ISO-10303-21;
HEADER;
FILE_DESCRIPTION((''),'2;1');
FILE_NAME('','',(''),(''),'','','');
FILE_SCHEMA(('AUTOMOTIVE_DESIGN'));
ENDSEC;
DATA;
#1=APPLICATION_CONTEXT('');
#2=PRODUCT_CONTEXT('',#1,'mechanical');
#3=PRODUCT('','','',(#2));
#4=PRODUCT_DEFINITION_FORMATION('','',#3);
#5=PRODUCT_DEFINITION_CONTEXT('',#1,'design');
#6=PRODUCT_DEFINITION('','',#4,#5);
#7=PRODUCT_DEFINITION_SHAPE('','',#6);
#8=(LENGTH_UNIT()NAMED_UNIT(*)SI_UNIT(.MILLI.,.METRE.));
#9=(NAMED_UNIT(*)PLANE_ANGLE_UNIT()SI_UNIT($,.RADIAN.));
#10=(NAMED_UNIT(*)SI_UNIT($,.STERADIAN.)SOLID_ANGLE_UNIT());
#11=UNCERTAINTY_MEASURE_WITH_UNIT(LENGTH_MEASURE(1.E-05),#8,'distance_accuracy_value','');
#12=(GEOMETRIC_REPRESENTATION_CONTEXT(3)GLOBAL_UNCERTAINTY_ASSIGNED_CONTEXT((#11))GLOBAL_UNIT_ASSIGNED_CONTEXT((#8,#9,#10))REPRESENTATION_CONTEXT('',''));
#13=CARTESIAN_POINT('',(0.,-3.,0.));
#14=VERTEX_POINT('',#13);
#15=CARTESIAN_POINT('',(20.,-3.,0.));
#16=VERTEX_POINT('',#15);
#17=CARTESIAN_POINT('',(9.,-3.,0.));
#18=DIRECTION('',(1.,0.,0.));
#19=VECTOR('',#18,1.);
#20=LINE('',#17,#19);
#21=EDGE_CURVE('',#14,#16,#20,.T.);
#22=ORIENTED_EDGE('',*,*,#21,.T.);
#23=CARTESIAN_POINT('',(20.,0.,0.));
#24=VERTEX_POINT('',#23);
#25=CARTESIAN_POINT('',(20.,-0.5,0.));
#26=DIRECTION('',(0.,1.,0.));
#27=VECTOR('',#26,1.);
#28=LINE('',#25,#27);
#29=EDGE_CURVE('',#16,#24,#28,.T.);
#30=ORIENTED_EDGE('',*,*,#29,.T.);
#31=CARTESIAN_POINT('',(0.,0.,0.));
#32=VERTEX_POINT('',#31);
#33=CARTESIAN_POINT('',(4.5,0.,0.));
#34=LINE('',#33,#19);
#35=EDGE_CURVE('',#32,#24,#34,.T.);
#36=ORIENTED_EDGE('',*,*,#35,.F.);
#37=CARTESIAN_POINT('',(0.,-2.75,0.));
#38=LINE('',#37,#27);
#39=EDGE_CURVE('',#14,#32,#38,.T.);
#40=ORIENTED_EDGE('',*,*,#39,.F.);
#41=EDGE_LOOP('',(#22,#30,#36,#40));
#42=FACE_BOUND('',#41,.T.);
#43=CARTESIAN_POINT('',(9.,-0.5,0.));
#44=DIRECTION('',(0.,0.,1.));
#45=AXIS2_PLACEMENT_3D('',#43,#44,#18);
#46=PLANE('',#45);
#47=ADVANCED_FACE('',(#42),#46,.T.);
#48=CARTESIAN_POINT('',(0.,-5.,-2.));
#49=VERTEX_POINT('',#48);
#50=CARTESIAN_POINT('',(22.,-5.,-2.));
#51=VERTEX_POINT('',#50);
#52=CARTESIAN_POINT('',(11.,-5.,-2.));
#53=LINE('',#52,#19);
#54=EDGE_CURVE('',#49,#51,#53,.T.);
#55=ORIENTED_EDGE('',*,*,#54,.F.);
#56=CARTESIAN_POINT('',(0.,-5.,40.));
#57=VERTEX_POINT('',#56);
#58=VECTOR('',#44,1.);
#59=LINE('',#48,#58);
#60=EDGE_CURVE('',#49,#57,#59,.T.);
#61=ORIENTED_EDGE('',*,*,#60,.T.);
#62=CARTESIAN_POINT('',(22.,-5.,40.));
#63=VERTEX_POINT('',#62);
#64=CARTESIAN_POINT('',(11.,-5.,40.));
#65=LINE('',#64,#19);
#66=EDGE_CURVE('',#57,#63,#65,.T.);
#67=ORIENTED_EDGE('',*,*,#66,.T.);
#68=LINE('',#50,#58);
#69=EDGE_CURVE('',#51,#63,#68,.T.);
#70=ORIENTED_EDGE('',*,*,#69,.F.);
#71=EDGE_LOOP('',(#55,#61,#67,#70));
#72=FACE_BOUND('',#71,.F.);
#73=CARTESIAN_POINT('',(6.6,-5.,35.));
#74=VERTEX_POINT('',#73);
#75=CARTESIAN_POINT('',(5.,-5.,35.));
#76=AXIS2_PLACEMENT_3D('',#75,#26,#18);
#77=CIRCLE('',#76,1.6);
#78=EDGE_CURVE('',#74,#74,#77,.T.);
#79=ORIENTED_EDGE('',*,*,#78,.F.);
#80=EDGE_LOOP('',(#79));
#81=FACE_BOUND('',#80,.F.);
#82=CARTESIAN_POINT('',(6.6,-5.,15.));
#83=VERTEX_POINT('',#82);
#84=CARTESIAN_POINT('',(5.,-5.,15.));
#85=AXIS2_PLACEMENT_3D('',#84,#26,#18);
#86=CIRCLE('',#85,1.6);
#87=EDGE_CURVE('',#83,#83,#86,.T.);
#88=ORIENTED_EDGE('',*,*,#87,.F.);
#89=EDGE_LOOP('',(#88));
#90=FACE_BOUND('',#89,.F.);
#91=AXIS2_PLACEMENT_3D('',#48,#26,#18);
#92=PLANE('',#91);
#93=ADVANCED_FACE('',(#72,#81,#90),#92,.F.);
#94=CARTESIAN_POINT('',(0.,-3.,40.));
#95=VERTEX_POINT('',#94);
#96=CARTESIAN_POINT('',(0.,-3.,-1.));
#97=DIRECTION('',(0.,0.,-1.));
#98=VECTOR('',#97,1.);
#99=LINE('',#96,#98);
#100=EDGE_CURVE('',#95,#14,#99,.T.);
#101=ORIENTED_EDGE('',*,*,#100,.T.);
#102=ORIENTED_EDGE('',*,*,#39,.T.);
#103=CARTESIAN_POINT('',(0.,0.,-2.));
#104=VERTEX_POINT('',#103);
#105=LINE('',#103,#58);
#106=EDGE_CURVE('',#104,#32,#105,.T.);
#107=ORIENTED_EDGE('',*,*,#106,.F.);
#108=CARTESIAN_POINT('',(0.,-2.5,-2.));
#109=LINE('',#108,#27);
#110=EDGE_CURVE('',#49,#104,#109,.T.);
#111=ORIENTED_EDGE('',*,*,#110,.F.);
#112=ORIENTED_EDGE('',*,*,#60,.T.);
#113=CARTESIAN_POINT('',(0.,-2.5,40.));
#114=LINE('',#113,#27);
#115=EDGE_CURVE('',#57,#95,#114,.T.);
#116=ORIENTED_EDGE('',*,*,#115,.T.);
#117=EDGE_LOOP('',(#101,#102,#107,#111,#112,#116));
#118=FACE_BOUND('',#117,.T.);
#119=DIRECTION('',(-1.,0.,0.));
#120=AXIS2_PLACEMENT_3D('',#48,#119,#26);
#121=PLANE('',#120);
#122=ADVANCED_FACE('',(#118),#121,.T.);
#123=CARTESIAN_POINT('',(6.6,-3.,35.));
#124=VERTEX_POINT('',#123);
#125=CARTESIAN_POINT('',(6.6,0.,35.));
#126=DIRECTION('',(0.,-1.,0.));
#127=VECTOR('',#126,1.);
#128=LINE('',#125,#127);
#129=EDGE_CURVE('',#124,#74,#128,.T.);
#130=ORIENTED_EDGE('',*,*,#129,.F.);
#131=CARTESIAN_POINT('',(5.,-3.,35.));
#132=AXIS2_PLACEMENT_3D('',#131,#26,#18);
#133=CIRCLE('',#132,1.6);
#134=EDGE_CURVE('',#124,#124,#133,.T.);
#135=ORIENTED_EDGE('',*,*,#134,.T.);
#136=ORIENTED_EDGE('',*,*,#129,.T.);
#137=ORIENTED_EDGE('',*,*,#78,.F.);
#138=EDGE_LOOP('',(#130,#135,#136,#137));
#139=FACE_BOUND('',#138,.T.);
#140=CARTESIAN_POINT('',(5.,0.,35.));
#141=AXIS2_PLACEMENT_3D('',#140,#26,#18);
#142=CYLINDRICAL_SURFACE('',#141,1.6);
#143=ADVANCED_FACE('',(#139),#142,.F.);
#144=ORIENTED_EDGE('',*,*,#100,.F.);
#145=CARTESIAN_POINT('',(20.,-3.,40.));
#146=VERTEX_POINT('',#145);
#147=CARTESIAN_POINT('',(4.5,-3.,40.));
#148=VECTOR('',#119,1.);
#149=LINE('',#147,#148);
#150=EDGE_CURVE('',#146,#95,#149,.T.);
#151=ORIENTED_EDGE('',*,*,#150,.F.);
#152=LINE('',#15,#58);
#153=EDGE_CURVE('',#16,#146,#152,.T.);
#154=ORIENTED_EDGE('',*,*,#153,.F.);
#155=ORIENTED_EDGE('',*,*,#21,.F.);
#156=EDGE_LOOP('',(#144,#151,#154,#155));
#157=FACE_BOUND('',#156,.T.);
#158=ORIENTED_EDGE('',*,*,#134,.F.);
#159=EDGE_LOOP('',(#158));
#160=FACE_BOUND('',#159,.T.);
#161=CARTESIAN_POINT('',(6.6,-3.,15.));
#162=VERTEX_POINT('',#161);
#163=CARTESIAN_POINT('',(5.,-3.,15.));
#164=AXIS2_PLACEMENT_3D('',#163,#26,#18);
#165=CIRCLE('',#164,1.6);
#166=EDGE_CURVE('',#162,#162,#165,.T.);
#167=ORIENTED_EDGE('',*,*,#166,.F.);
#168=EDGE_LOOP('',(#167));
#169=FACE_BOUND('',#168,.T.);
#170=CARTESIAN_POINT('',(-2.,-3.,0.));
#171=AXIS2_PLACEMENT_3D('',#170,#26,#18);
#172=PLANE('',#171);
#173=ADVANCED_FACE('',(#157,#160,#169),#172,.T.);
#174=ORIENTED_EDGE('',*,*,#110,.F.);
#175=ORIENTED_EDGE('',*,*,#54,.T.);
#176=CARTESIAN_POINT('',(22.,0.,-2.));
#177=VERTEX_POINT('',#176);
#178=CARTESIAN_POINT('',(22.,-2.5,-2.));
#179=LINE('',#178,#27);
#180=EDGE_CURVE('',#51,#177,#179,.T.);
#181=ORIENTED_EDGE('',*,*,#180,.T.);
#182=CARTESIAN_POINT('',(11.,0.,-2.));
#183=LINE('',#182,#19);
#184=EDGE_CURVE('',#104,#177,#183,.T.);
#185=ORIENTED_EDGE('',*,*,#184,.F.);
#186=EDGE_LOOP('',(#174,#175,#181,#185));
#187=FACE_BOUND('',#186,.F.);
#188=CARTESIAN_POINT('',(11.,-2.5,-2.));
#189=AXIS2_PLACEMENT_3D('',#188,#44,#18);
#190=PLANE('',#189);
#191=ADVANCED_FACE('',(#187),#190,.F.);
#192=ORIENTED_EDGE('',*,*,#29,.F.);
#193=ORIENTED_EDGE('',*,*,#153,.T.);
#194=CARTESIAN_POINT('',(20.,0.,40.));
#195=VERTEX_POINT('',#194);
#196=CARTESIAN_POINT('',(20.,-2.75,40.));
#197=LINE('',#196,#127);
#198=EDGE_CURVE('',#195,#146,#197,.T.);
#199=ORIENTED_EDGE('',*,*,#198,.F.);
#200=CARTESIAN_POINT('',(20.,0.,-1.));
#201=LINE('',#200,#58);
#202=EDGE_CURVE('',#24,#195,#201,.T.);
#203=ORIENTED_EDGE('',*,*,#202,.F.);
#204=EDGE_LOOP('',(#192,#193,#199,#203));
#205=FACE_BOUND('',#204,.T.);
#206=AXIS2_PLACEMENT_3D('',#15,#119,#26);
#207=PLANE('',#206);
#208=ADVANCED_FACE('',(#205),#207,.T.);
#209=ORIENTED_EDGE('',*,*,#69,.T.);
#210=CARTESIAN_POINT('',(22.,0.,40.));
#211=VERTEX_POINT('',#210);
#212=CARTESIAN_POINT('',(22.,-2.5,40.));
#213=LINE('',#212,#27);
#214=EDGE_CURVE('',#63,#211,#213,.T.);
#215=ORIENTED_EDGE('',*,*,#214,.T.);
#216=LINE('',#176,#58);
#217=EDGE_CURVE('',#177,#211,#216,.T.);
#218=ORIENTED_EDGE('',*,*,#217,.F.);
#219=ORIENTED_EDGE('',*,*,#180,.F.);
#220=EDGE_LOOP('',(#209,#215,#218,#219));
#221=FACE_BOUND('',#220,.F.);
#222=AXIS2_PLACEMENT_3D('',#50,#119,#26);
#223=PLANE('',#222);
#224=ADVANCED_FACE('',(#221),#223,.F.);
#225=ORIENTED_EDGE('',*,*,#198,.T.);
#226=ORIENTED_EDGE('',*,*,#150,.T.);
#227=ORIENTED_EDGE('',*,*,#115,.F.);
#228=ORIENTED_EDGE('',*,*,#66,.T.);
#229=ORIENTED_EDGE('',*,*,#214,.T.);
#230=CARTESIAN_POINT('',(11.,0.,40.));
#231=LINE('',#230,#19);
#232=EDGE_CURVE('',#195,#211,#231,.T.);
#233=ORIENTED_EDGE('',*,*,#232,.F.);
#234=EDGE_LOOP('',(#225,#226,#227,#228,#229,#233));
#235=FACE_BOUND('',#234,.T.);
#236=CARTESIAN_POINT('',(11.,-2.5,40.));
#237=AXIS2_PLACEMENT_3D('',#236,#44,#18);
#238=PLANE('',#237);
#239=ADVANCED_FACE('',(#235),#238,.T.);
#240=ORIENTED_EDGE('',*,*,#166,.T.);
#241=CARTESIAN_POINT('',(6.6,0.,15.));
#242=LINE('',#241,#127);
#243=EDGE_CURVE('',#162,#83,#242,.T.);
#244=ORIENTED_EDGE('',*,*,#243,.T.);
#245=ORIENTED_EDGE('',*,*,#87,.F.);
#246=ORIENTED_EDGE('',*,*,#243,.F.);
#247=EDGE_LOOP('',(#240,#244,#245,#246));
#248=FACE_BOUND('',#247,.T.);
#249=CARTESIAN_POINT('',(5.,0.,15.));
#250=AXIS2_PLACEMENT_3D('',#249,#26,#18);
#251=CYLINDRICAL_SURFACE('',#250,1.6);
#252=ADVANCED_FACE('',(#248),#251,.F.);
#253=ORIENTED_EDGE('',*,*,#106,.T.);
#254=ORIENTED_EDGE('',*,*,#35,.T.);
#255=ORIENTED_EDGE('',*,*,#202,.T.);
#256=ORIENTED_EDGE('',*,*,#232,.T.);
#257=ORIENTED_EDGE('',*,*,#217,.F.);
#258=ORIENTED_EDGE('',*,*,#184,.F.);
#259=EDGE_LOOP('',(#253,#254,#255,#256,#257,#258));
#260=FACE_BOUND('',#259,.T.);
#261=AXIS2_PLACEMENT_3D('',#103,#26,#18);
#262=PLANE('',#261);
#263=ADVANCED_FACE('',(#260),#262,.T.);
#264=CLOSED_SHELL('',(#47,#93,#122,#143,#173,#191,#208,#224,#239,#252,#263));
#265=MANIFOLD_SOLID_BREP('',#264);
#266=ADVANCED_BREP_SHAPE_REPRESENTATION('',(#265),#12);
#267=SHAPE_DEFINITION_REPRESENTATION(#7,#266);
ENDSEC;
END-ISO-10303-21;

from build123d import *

# Parameters (mm, degrees)
CYLINDER025_R     = 1.6
CYLINDER025_DEPTH = 10
CYLINDER026_R     = 1.6
CYLINDER026_DEPTH = 10
BOX026_W          = 22
BOX026_H          = 5
BOX026_DEPTH      = 42
BOX025_W          = 22
BOX025_H          = 5
BOX025_DEPTH      = 42


with BuildPart() as cylinder025:
    # Cylinder025 → Cylinder025 (new body)
    with BuildSketch(Plane(origin=(5, 0, 10), x_dir=(1, 0, 0), z_dir=(0, -1, 0))):
        Circle(CYLINDER025_R)
    extrude(amount=CYLINDER025_DEPTH)


with BuildPart() as fusion007006:
    # Cylinder026 → Cylinder026 (new body)
    with BuildSketch(Plane(origin=(5, 0, 30), x_dir=(1, 0, 0), z_dir=(0, -1, 0))):
        Circle(CYLINDER026_R)
    extrude(amount=CYLINDER026_DEPTH)

    # Fusion007006: union Cylinder025
    add(cylinder025.part)


with BuildPart() as fusion007006_1:
    # Fusion007006 placement: moved
    add(fusion007006.part.moved(Location((0, 0, 5))))


with BuildPart() as cube015:
    # Box026 → Box026 (new body)
    with BuildSketch(Plane(origin=(-2, -3, 0), x_dir=(1, 0, 0), z_dir=(0, 0, 1))):
        with Locations((11, 2.5)):
            Rectangle(BOX026_W, BOX026_H)
    extrude(amount=BOX026_DEPTH)


with BuildPart() as cut003013:
    # Box025 → Box025 (new body)
    with BuildSketch(Plane(origin=(0, -5, -2), x_dir=(1, 0, 0), z_dir=(0, 0, 1))):
        with Locations((11, 2.5)):
            Rectangle(BOX025_W, BOX025_H)
    extrude(amount=BOX025_DEPTH)

    # Cut003012: cut Cube015
    add(cube015.part, mode=Mode.SUBTRACT)

    # Cut003013: cut Fusion007006
    add(fusion007006_1.part, mode=Mode.SUBTRACT)


solid = cut003013.part
